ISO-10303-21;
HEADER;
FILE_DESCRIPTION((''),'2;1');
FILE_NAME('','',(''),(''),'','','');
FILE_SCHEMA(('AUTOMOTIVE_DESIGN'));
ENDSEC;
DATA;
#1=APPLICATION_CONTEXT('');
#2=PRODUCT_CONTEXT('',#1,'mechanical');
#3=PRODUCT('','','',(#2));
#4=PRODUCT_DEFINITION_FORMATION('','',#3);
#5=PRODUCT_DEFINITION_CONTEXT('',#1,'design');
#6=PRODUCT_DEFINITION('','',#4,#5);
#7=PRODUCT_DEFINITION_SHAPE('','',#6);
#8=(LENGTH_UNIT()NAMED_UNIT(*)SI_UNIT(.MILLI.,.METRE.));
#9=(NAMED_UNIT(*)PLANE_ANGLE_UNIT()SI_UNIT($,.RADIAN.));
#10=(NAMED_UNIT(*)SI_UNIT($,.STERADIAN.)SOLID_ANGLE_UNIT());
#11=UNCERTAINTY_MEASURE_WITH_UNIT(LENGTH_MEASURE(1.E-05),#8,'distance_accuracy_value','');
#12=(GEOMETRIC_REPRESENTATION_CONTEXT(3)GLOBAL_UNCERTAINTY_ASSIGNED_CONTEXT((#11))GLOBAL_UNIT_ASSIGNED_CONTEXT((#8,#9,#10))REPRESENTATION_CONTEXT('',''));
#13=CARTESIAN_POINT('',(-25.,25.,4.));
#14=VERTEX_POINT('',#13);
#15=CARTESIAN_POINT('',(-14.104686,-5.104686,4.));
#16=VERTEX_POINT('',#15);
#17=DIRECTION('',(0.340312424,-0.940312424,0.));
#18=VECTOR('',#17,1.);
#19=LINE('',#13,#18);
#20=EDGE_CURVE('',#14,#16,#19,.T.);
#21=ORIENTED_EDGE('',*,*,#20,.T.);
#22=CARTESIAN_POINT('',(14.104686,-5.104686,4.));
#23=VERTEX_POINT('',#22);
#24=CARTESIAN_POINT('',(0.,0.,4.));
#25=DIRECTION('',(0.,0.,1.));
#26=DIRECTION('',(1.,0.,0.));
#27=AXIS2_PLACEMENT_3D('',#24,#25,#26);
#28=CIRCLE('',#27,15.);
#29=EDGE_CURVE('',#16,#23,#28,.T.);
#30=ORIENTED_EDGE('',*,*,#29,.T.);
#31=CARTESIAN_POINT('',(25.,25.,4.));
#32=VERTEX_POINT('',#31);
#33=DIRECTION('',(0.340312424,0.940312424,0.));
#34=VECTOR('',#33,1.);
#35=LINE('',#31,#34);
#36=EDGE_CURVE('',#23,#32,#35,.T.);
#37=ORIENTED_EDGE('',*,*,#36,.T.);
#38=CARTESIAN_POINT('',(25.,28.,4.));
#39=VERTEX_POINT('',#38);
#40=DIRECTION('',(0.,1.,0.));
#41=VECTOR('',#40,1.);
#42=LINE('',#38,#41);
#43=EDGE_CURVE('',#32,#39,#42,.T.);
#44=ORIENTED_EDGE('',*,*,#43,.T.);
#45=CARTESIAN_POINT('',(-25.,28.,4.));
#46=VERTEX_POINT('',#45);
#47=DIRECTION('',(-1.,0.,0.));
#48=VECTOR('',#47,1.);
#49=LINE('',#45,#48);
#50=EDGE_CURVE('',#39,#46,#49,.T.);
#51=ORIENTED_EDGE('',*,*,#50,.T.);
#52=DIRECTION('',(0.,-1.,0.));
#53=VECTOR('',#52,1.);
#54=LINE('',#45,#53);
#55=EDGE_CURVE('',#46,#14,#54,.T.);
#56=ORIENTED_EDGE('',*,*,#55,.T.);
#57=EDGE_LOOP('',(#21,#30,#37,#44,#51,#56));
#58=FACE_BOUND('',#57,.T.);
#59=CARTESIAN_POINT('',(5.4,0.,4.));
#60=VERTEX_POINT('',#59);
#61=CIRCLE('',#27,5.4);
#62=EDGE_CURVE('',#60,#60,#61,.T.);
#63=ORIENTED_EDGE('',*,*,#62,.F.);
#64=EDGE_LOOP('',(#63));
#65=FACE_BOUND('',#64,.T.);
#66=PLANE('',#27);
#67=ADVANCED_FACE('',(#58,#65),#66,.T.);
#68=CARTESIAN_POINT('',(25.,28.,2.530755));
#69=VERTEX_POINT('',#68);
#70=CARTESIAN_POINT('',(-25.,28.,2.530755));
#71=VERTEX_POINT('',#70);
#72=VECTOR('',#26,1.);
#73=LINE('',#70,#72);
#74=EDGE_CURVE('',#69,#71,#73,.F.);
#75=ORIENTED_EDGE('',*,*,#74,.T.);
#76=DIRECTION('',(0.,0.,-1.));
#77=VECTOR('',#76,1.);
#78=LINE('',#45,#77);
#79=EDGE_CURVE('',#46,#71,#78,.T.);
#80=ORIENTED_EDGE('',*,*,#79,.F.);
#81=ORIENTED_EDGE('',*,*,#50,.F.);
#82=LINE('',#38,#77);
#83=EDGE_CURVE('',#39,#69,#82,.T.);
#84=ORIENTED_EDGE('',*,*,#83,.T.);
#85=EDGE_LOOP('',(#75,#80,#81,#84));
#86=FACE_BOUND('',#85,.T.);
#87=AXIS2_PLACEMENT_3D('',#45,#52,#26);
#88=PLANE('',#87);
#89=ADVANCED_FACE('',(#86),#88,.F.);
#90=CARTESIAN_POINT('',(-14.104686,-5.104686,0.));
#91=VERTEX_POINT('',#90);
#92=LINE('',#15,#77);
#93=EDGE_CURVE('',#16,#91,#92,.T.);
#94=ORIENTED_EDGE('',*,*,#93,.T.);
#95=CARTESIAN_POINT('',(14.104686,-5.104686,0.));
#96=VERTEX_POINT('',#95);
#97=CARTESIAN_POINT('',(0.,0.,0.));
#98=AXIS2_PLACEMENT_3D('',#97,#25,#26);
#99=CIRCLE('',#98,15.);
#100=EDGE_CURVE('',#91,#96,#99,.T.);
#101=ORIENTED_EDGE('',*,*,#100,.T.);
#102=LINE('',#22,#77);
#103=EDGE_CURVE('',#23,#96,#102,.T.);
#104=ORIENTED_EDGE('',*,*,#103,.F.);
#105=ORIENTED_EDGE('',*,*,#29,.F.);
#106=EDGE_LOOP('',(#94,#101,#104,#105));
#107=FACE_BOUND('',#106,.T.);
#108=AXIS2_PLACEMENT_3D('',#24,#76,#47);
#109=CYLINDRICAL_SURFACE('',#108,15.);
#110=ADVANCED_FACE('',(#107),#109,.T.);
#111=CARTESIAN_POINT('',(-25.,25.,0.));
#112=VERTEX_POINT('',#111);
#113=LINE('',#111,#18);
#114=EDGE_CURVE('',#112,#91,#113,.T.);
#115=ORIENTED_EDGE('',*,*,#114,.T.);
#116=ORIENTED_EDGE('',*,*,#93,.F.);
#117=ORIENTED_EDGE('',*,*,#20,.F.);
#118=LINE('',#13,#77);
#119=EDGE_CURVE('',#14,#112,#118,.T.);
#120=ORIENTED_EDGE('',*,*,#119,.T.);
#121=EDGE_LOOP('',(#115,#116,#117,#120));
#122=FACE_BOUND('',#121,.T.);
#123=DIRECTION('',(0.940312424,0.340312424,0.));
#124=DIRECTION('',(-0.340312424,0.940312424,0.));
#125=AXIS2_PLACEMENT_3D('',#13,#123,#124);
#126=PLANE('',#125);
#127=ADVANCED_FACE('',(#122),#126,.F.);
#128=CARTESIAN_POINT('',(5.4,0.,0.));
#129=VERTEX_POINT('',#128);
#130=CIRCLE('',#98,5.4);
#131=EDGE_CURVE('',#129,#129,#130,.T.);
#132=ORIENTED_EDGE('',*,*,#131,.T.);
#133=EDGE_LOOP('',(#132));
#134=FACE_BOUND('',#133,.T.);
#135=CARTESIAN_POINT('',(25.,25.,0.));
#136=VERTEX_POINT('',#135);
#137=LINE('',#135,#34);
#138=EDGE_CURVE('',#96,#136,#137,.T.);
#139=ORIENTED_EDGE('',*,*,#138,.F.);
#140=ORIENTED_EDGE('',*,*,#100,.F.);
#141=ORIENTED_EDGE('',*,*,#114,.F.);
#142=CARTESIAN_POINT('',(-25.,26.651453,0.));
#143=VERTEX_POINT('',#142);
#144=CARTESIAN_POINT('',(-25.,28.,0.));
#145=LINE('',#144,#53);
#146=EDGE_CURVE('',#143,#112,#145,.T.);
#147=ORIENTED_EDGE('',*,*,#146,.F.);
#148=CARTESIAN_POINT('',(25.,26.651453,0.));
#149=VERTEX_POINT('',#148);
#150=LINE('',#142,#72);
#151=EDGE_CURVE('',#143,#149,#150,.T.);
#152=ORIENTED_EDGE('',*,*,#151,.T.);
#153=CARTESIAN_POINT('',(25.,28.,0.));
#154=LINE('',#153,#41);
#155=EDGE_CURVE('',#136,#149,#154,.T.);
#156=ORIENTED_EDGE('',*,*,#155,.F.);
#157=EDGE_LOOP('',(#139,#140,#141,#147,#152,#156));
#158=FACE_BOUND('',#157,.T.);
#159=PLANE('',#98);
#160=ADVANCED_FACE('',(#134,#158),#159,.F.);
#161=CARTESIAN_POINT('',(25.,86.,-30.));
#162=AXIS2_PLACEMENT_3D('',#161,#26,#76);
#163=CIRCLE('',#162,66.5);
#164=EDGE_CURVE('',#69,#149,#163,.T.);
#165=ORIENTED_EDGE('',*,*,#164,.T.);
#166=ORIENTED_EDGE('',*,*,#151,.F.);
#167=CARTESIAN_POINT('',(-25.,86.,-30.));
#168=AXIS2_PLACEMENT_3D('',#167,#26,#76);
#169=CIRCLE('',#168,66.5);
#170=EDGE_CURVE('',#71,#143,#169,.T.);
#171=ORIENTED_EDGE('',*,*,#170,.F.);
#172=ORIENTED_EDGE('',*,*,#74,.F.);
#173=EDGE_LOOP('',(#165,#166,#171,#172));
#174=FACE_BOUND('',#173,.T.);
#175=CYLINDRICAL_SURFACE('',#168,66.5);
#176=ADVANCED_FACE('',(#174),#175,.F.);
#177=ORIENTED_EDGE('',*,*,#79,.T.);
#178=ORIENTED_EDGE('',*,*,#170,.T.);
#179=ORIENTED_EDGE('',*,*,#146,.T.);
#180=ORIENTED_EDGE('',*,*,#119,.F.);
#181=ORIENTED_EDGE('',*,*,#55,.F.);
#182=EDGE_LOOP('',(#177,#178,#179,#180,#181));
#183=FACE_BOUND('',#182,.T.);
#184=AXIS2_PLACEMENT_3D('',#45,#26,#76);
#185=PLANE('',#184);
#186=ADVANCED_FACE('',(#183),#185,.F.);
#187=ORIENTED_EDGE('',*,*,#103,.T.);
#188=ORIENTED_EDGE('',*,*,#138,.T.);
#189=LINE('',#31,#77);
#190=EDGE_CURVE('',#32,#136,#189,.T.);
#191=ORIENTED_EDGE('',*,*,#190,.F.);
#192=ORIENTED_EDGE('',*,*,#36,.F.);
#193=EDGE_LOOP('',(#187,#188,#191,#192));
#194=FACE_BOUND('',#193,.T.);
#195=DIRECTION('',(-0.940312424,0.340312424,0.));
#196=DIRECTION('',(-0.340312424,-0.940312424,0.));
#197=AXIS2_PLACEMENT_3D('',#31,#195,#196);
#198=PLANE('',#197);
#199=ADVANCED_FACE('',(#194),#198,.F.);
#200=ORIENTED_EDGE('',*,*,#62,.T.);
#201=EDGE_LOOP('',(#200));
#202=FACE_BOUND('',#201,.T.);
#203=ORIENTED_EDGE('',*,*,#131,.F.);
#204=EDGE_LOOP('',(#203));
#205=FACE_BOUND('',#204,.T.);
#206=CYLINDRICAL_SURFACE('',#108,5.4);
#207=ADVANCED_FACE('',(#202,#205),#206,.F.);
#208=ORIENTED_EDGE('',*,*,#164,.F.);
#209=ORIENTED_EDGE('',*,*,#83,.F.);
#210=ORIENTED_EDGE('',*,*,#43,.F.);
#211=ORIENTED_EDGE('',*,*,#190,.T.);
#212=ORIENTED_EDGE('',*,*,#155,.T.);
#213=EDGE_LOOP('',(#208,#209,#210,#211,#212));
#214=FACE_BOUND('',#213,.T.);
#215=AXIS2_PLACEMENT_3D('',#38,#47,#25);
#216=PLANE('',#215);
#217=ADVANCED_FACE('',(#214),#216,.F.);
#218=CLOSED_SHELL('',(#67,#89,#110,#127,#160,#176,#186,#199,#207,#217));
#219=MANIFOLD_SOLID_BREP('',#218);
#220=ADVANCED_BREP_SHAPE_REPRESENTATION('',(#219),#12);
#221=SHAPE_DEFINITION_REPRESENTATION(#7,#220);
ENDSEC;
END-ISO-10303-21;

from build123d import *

# Parameters (mm, degrees)
SKETCH_1_R                 = 5.4
EXTRUDE_1_DEPTH            = 4
CUT_EXTRUDE_534_DEPTH      = 38.749172176
CUT_EXTRUDE_534_DEPTH_BACK = 38.749172176
SKETCH_514_R               = 66.5


with BuildPart() as part:
    # Эскиз1 → Бобышка-Вытянуть1 (new body)
    with BuildSketch(Plane.XY):
        with BuildLine():
            Line((-25, 28), (25, 28))
            Line((25, 28), (25, 25))
            Line((25, 25), (14.104686356, -5.104686356))
            ThreePointArc((14.104686356, -5.104686356), (0, -15), (-14.104686356, -5.104686356))
            Line((-14.104686356, -5.104686356), (-25, 25))
            Line((-25, 25), (-25, 28))
        make_face()
        Circle(SKETCH_1_R, mode=Mode.SUBTRACT)
    extrude(amount=EXTRUDE_1_DEPTH)

    # Sketch 514 → Cut-Extrude 534 (cut, two sides: drawn at the far end of the back side and taken through both)
    with BuildSketch(Plane(origin=(0, 0, 0), x_dir=(0, 0, -1), z_dir=(1, 0, 0)).offset(-CUT_EXTRUDE_534_DEPTH_BACK)):
        with Locations((30, 86)):
            Circle(SKETCH_514_R)
    extrude(amount=CUT_EXTRUDE_534_DEPTH + CUT_EXTRUDE_534_DEPTH_BACK, mode=Mode.SUBTRACT)


solid = part.part
